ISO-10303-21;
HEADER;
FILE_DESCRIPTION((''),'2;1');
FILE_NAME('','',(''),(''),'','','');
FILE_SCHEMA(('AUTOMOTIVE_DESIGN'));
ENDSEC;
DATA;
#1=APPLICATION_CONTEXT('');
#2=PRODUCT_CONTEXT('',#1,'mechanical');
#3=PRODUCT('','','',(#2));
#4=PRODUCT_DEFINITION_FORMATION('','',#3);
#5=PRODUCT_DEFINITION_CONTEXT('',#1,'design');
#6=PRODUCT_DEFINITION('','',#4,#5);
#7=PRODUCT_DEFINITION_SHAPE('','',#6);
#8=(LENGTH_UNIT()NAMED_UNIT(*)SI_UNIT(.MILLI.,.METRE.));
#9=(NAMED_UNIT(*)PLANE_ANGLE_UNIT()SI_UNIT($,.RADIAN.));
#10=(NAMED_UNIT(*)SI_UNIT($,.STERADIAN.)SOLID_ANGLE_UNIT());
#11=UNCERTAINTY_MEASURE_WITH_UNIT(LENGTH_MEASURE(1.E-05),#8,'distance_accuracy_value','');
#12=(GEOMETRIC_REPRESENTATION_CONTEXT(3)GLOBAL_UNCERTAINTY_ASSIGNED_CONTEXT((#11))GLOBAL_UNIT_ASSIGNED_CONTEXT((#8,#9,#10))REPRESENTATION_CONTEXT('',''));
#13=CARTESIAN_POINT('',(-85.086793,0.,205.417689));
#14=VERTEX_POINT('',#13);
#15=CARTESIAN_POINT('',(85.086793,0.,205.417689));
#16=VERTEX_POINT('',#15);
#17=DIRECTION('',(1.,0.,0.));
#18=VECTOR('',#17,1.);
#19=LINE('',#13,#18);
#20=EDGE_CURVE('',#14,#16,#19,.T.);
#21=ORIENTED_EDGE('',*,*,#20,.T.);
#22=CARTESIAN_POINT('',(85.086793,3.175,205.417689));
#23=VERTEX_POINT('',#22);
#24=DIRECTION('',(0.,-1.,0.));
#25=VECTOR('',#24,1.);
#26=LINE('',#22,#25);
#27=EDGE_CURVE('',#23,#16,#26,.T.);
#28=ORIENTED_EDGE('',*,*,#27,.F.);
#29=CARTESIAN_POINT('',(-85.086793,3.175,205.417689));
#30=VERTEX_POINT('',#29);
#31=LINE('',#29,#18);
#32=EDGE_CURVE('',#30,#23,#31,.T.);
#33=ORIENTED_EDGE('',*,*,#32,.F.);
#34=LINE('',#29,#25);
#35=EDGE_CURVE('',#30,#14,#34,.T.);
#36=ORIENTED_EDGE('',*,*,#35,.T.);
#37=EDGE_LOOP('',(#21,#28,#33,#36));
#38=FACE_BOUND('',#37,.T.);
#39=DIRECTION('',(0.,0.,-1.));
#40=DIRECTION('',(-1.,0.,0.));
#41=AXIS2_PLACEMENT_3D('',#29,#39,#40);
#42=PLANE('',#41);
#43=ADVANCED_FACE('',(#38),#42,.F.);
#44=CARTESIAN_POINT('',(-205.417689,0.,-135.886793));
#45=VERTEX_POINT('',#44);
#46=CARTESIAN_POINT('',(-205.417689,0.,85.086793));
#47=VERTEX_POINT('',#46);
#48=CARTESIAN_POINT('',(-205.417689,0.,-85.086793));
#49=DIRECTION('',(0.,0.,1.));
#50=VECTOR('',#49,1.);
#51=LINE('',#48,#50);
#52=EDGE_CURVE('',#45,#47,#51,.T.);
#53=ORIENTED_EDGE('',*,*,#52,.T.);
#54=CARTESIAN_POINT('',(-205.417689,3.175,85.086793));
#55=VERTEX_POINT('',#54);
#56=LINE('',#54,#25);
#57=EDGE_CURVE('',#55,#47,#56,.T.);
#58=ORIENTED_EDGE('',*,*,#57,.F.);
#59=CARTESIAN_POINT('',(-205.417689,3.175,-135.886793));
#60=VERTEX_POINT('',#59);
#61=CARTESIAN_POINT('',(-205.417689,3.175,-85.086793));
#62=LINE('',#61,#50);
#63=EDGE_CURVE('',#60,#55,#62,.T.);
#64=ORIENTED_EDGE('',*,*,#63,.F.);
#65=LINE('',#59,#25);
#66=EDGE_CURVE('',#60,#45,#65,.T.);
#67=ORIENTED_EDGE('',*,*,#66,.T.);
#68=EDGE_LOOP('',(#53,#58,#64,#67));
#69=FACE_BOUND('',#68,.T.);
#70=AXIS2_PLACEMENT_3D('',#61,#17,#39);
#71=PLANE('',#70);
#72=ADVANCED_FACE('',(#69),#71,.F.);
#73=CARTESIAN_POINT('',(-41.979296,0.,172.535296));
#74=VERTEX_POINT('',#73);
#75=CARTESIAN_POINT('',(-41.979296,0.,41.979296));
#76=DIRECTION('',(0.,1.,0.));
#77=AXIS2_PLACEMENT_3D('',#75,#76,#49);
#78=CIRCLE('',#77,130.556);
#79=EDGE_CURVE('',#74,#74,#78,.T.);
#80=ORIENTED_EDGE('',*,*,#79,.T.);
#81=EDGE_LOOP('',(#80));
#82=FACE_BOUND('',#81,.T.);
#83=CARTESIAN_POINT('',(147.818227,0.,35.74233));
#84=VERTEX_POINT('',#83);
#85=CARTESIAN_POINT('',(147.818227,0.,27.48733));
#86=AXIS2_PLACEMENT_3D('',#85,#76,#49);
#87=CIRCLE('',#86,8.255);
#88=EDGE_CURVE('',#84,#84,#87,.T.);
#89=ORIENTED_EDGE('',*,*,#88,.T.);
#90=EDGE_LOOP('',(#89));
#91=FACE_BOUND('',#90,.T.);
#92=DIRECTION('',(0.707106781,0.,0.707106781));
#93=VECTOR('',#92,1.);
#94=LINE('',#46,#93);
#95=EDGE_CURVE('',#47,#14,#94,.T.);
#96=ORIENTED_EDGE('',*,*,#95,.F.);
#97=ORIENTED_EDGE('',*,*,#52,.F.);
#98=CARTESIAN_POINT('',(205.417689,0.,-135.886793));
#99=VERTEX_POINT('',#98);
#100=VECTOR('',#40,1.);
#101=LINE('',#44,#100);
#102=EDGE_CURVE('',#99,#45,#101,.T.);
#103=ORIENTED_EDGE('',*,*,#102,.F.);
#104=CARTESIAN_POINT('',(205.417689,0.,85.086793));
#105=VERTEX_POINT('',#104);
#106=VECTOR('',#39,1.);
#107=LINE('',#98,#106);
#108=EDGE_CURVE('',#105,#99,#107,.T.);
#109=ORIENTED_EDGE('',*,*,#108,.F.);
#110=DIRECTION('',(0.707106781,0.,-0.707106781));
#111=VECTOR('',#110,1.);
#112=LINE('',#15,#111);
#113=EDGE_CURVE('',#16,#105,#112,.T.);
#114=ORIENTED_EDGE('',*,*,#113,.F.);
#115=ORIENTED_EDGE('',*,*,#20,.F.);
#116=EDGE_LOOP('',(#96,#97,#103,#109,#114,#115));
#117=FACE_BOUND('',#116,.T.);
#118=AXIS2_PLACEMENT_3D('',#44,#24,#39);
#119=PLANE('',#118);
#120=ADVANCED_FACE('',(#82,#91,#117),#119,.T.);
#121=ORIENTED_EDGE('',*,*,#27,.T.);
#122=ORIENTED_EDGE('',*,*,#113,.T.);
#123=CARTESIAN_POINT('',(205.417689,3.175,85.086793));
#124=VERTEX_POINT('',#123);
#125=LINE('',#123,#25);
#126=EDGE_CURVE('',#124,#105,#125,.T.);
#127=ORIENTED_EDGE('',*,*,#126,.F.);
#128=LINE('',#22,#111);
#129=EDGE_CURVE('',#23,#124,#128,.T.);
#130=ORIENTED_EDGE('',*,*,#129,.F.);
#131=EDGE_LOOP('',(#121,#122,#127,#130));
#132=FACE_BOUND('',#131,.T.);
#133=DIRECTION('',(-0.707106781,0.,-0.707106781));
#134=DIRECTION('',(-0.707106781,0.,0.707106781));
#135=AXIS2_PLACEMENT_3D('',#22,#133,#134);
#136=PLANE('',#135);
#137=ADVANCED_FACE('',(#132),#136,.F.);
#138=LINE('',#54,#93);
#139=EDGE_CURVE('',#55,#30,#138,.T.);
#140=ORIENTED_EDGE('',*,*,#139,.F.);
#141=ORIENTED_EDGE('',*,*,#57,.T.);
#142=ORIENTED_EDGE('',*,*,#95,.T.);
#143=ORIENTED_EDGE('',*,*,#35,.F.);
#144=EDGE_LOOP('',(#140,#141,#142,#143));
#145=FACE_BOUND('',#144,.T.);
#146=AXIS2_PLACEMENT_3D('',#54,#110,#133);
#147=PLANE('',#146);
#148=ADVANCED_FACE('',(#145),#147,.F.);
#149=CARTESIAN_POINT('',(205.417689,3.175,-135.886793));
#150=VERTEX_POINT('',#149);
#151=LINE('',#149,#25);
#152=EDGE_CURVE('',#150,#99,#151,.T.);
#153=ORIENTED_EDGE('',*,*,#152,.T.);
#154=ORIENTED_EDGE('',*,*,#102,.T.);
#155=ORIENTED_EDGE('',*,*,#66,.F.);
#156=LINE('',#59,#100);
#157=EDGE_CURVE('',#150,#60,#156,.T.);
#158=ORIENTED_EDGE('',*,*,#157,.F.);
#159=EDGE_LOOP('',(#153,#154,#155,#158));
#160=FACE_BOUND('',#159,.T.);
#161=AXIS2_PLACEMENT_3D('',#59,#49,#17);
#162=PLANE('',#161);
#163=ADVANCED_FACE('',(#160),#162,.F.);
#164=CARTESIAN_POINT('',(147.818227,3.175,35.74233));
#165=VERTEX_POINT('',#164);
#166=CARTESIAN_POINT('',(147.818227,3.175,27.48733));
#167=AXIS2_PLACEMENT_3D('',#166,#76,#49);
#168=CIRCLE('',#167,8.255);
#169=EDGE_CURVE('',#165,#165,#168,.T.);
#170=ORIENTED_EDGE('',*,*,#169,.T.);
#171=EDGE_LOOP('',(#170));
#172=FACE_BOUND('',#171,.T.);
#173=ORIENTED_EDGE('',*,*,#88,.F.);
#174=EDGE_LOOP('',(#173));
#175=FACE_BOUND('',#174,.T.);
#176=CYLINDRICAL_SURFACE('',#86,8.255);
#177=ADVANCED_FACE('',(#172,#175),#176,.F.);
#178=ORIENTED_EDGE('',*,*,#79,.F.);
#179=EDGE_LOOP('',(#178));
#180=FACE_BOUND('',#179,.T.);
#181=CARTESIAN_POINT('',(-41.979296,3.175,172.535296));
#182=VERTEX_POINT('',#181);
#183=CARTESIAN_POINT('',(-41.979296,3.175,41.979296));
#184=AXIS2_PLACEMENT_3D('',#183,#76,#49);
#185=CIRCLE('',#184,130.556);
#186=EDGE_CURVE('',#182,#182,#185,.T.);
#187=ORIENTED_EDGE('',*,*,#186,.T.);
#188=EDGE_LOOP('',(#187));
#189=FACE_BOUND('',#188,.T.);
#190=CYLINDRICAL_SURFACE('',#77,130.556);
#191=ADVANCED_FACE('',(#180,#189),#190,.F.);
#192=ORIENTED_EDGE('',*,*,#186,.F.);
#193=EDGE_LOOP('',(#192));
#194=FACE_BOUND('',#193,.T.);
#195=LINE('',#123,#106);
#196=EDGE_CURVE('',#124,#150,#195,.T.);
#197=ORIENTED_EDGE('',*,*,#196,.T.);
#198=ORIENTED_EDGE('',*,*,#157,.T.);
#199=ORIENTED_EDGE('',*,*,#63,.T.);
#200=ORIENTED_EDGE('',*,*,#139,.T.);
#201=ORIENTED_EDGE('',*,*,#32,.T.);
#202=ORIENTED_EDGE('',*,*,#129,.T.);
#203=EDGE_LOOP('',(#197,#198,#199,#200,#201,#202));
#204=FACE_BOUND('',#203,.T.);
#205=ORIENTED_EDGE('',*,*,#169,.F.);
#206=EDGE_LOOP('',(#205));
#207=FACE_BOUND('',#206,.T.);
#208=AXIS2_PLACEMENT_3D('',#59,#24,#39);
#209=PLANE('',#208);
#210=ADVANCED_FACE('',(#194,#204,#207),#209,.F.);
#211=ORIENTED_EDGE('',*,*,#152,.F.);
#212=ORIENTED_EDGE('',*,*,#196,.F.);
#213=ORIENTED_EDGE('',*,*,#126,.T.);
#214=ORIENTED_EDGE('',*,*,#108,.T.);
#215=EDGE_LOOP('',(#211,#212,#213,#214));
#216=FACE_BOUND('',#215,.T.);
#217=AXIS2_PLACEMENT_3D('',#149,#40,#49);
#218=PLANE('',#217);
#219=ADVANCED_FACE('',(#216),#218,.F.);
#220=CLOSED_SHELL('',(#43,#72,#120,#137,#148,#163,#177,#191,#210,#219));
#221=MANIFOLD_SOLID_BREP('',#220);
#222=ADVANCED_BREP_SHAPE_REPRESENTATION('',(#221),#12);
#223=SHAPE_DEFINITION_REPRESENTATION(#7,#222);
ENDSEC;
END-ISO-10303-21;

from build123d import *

# Parameters (mm, degrees)
BOSS_EXTRUDE1_DEPTH = 3.175
SKETCH3_R           = 130.556
CUT_EXTRUDE2_DEPTH  = 4.175
SKETCH4_R           = 8.255
CUT_EXTRUDE3_DEPTH  = 4.175


with BuildPart() as part:
    # Sketch1 → Boss-Extrude1 (new body)
    with BuildSketch(Plane(origin=(0, 0, 0), x_dir=(1, 0, 0), z_dir=(0, 1, 0))):
        Polygon((-205.417689271, 85.086792847), (-205.417689271, -85.086792847), (-85.086792847, -205.417689271), (85.086792847, -205.417689271), (205.417689271, -85.086792847), (205.417689271, 85.086792847), (205.417689271, 135.886792847), (-205.417689271, 135.886792847), align=None)
    extrude(amount=BOSS_EXTRUDE1_DEPTH)

    # Sketch3 → Cut-Extrude2 (cut, through all)
    with BuildSketch(Plane(origin=(0, 3.175, 0), x_dir=(-1, 0, 0), z_dir=(0, 1, 0))):
        with Locations(Location((41.979295667, 41.979295667, 0), (0, 0, 90))):  # turned: the seam where the file's is
            Circle(SKETCH3_R)
    extrude(amount=-CUT_EXTRUDE2_DEPTH, mode=Mode.SUBTRACT)

    # Sketch4 → Cut-Extrude3 (cut, through all)
    with BuildSketch(Plane(origin=(0, 3.175, 0), x_dir=(1, 0, 0), z_dir=(0, 1, 0))):
        with Locations(Location((147.81822682, -27.487330396, 0), (0, 0, 270))):  # turned: the seam where the file's is
            Circle(SKETCH4_R)
    extrude(amount=-CUT_EXTRUDE3_DEPTH, mode=Mode.SUBTRACT)


solid = part.part
